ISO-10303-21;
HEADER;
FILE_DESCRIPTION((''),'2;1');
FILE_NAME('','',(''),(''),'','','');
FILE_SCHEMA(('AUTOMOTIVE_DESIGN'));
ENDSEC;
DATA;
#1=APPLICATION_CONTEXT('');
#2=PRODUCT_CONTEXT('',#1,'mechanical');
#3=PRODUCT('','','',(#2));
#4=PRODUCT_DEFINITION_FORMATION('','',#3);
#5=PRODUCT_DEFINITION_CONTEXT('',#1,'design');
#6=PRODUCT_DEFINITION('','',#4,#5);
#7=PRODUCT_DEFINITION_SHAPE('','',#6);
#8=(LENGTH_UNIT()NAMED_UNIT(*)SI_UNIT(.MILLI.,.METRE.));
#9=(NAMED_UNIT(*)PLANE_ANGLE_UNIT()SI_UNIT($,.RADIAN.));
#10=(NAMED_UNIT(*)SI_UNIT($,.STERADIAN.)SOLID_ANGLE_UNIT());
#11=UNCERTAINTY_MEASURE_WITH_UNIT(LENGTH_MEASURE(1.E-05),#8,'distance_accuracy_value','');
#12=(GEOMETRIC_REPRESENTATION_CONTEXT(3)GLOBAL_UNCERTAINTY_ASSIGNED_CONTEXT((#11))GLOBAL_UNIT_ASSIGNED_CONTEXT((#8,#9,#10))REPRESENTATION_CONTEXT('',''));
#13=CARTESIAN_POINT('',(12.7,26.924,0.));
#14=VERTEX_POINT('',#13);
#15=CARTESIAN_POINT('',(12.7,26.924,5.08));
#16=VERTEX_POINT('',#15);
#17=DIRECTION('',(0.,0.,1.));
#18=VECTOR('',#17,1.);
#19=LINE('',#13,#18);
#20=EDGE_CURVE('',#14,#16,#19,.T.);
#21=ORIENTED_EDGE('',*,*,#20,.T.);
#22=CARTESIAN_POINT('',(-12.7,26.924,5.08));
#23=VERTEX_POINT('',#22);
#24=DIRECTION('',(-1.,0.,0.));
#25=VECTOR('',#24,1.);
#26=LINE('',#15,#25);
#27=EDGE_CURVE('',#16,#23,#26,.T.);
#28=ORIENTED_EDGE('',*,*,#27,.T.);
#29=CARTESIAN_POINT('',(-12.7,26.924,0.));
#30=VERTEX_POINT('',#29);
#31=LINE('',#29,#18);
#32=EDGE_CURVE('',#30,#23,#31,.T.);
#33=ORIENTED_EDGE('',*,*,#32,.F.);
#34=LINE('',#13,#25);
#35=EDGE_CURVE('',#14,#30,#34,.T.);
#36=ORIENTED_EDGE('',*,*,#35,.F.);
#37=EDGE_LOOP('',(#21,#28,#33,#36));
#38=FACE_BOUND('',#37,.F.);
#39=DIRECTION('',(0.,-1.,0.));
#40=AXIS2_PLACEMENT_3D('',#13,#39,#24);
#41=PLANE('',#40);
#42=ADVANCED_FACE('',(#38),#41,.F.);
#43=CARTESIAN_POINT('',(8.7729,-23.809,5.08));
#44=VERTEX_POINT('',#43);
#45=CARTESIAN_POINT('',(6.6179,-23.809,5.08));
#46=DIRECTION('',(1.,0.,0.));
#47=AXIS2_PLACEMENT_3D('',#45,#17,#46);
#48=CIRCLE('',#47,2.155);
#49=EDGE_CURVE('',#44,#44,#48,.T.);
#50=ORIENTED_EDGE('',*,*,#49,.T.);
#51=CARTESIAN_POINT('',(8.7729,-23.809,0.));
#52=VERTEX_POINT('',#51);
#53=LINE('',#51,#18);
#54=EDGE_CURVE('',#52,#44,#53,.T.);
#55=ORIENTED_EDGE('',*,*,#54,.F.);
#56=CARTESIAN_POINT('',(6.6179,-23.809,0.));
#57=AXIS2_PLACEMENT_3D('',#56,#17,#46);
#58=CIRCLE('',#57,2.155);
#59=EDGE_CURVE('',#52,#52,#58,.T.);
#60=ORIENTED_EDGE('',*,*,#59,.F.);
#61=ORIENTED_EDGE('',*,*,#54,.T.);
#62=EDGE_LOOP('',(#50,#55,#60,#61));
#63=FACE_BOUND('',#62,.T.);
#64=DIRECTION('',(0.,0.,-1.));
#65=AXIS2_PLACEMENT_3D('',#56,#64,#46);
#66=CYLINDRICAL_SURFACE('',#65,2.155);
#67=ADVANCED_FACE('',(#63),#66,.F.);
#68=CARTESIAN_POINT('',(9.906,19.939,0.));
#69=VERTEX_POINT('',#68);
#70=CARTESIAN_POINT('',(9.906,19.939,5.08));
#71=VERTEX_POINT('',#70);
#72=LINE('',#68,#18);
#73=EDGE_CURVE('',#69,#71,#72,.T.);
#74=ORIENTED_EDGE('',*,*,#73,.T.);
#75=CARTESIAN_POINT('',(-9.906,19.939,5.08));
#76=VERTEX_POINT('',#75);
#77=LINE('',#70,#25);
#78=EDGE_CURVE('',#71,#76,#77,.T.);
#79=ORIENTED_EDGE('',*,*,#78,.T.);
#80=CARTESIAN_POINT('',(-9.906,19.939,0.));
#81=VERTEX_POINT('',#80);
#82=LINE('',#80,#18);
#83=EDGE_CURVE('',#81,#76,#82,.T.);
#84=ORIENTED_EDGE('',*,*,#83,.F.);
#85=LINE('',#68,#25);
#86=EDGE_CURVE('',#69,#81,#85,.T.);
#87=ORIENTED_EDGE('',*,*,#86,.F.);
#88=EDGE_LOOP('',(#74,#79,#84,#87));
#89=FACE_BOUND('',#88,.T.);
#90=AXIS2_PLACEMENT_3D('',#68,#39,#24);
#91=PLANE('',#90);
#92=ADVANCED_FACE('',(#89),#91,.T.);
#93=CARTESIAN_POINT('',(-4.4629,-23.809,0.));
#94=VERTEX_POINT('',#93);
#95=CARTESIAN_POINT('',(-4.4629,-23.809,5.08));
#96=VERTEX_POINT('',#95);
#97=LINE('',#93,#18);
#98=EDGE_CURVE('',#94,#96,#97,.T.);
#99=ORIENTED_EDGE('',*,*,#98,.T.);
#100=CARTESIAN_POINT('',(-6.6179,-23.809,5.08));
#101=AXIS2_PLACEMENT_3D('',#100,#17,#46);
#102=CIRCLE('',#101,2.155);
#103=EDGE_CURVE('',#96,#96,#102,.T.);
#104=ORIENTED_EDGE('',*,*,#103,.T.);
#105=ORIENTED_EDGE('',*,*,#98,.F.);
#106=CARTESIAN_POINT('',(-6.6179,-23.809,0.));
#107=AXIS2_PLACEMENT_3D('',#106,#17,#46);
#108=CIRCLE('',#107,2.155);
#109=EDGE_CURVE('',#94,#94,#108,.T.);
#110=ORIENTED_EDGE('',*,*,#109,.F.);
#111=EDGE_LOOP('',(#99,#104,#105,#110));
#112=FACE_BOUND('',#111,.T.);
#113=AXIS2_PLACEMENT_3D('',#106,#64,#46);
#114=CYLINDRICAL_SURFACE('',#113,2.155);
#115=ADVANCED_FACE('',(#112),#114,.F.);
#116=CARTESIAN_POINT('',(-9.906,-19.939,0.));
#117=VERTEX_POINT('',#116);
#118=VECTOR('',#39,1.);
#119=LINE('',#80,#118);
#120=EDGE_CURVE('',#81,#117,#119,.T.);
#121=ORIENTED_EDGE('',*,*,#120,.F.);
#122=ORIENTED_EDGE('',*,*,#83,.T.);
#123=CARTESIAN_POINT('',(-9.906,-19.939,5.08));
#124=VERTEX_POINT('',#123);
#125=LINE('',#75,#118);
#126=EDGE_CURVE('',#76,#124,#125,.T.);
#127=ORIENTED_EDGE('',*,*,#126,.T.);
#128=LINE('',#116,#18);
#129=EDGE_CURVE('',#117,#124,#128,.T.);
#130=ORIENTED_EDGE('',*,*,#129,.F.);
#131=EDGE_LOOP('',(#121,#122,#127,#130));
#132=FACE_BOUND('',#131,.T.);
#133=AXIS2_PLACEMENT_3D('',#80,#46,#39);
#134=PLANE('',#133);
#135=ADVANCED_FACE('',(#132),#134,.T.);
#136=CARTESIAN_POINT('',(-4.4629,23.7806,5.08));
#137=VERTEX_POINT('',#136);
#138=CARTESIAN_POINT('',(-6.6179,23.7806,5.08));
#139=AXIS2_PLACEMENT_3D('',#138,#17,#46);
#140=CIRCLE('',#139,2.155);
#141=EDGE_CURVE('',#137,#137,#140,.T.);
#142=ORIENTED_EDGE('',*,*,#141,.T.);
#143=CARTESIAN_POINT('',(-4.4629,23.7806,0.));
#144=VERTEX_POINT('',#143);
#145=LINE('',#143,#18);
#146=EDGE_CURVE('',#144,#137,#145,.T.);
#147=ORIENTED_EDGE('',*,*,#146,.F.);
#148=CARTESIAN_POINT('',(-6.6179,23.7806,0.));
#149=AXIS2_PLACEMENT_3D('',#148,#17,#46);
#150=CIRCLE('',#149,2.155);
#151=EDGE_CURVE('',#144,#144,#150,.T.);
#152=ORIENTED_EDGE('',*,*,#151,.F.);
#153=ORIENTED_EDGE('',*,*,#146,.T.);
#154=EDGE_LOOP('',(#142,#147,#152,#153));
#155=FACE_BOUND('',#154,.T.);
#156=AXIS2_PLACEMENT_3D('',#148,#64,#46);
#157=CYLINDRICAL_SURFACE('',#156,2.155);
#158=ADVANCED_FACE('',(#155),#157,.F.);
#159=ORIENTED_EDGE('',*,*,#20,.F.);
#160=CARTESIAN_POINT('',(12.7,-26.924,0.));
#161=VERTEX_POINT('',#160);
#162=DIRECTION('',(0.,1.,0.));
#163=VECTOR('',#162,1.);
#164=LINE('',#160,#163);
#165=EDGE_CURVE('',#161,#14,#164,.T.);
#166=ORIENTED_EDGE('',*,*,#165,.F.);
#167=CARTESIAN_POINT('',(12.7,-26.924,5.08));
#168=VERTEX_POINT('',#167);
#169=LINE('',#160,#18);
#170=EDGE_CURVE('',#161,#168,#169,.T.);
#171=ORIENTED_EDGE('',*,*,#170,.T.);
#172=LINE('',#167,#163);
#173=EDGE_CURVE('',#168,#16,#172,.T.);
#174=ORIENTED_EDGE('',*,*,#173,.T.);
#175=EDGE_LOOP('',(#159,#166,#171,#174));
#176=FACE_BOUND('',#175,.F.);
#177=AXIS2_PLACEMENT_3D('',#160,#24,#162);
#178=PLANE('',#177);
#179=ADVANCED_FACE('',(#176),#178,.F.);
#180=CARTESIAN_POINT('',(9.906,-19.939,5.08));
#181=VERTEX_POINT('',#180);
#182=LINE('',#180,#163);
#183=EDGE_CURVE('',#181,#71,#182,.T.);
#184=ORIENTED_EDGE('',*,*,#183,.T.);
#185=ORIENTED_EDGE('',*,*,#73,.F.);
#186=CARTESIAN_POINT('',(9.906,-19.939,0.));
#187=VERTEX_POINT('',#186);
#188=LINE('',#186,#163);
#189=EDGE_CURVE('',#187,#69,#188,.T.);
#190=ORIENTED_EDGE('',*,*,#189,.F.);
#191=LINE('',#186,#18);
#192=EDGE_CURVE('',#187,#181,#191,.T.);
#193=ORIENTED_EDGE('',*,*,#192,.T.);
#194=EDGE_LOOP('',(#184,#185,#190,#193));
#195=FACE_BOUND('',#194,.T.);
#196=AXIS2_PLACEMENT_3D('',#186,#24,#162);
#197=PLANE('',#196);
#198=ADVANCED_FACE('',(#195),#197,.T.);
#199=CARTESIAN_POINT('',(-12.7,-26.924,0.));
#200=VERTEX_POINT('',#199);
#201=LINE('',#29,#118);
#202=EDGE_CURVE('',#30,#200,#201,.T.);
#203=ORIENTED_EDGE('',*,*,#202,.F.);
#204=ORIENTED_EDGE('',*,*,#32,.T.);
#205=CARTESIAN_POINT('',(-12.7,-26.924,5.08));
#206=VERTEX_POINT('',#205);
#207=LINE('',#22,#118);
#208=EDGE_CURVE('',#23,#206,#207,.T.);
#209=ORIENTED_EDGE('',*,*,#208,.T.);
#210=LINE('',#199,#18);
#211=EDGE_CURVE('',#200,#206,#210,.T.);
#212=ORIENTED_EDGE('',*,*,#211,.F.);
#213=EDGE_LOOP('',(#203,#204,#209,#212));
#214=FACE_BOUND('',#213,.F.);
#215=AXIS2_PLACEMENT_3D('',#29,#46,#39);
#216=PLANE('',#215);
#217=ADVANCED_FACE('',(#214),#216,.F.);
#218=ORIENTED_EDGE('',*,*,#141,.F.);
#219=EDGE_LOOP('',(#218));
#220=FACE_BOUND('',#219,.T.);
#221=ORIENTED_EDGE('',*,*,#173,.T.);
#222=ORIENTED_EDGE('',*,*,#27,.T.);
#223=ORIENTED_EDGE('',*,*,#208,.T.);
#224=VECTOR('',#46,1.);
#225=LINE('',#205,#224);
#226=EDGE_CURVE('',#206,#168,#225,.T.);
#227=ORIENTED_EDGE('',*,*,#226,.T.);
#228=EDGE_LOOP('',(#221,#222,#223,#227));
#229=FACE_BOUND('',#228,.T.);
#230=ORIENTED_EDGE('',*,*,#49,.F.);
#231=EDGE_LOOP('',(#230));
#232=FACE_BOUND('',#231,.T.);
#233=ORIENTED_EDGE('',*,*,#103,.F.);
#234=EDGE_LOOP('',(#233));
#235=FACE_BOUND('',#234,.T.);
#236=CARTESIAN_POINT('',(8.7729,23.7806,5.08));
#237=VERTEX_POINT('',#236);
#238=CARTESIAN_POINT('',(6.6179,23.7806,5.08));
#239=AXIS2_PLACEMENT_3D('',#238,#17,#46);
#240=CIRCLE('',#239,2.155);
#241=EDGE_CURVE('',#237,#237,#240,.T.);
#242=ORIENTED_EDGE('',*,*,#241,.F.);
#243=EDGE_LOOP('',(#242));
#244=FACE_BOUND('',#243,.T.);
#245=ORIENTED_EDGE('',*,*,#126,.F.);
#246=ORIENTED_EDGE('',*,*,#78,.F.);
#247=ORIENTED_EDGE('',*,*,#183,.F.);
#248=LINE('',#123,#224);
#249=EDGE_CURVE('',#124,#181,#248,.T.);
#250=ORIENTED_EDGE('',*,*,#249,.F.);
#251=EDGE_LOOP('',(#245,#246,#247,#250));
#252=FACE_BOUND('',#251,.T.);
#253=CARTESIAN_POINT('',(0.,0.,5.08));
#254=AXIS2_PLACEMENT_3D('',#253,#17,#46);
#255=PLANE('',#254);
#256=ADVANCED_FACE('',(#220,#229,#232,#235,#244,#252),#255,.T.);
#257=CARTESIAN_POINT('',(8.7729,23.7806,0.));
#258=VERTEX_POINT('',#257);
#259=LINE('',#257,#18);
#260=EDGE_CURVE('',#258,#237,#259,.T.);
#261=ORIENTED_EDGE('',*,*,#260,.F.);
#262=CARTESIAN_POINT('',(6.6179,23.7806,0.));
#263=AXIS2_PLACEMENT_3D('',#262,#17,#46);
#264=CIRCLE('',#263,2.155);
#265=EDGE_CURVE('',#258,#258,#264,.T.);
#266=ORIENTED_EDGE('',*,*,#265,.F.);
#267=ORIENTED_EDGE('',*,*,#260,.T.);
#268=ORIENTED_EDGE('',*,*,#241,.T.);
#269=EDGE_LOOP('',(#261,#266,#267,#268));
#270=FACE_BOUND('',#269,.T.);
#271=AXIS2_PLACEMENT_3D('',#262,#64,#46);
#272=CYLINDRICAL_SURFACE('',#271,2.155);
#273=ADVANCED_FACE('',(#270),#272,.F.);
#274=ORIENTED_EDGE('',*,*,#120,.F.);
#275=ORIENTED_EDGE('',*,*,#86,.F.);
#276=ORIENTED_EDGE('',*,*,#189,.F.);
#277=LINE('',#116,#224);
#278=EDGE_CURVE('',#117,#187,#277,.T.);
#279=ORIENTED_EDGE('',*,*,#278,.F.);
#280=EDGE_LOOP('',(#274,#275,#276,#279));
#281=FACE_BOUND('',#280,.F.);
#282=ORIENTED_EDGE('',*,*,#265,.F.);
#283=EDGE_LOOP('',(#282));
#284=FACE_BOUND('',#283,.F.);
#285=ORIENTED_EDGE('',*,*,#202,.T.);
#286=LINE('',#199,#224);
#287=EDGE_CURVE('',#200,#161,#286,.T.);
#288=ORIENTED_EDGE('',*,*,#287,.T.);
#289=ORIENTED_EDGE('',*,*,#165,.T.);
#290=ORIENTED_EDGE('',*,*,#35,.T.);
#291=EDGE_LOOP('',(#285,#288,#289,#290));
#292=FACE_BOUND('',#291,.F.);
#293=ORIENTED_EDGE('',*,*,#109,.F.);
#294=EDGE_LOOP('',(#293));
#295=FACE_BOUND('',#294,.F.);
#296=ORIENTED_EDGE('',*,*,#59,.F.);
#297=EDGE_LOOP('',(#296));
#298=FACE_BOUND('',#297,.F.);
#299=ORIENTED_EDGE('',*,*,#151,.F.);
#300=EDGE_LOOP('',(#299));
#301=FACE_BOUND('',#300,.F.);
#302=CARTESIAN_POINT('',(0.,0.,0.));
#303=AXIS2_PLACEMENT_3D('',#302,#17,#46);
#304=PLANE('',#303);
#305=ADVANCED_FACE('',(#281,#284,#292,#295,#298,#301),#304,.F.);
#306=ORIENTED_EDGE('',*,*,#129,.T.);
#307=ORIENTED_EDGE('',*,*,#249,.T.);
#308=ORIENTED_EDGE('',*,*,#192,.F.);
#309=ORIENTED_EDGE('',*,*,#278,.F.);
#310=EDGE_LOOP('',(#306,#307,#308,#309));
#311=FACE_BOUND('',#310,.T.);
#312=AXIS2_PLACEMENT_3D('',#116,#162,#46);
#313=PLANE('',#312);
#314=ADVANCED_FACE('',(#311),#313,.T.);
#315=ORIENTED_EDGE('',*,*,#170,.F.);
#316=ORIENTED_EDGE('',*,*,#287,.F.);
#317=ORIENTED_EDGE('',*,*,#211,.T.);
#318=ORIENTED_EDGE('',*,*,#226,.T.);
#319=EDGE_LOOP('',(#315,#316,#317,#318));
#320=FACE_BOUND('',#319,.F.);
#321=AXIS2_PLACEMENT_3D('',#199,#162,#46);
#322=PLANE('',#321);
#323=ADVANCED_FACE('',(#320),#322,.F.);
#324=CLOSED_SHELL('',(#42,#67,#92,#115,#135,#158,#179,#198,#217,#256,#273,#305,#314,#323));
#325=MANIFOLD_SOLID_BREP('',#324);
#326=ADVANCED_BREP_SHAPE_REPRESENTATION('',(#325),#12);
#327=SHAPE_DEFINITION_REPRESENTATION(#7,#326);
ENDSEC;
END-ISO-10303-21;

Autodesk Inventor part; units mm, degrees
ref_plane "YZ Plane" through (0, 0, 0) normal (1, 0, 0) x (0, 1, 0)
ref_plane "XZ Plane" through (0, 0, 0) normal (0, 1, 0) x (-1, 0, 0)
ref_plane "XY Plane" through (0, 0, 0) normal (0, 0, 1) x (1, 0, 0)
sketch "Sketch1" plane through (0, 0, 0) normal (0, 0, 1) x (1, 0, 0)
  line L0 (-12.7, -26.924) -> (12.7, -26.924)
  line L1 (12.7, -26.924) -> (12.7, 26.924)
  line L2 (12.7, 26.924) -> (-12.7, 26.924)
  line L3 (-12.7, 26.924) -> (-12.7, -26.924)
  line L4 (-9.906, -19.939) -> (9.906, -19.939)
  line L5 (9.906, -19.939) -> (9.906, 19.939)
  line L6 (9.906, 19.939) -> (-9.906, 19.939)
  line L7 (-9.906, 19.939) -> (-9.906, -19.939)
  circle A0 centre (-6.6179, 23.7806) radius 2.155
  circle A1 centre (6.6179, 23.7806) radius 2.155
  circle A2 centre (-6.6179, -23.809) radius 2.155
  circle A3 centre (6.6179, -23.809) radius 2.155
  dimension "d0" = 25.4
  dimension "d1" = 53.848
  dimension "d3" = 39.878
extrude "Extrusion1" add sketch "Sketch1" along normal blind 5.08
properties part number "JBTable2Draft"
